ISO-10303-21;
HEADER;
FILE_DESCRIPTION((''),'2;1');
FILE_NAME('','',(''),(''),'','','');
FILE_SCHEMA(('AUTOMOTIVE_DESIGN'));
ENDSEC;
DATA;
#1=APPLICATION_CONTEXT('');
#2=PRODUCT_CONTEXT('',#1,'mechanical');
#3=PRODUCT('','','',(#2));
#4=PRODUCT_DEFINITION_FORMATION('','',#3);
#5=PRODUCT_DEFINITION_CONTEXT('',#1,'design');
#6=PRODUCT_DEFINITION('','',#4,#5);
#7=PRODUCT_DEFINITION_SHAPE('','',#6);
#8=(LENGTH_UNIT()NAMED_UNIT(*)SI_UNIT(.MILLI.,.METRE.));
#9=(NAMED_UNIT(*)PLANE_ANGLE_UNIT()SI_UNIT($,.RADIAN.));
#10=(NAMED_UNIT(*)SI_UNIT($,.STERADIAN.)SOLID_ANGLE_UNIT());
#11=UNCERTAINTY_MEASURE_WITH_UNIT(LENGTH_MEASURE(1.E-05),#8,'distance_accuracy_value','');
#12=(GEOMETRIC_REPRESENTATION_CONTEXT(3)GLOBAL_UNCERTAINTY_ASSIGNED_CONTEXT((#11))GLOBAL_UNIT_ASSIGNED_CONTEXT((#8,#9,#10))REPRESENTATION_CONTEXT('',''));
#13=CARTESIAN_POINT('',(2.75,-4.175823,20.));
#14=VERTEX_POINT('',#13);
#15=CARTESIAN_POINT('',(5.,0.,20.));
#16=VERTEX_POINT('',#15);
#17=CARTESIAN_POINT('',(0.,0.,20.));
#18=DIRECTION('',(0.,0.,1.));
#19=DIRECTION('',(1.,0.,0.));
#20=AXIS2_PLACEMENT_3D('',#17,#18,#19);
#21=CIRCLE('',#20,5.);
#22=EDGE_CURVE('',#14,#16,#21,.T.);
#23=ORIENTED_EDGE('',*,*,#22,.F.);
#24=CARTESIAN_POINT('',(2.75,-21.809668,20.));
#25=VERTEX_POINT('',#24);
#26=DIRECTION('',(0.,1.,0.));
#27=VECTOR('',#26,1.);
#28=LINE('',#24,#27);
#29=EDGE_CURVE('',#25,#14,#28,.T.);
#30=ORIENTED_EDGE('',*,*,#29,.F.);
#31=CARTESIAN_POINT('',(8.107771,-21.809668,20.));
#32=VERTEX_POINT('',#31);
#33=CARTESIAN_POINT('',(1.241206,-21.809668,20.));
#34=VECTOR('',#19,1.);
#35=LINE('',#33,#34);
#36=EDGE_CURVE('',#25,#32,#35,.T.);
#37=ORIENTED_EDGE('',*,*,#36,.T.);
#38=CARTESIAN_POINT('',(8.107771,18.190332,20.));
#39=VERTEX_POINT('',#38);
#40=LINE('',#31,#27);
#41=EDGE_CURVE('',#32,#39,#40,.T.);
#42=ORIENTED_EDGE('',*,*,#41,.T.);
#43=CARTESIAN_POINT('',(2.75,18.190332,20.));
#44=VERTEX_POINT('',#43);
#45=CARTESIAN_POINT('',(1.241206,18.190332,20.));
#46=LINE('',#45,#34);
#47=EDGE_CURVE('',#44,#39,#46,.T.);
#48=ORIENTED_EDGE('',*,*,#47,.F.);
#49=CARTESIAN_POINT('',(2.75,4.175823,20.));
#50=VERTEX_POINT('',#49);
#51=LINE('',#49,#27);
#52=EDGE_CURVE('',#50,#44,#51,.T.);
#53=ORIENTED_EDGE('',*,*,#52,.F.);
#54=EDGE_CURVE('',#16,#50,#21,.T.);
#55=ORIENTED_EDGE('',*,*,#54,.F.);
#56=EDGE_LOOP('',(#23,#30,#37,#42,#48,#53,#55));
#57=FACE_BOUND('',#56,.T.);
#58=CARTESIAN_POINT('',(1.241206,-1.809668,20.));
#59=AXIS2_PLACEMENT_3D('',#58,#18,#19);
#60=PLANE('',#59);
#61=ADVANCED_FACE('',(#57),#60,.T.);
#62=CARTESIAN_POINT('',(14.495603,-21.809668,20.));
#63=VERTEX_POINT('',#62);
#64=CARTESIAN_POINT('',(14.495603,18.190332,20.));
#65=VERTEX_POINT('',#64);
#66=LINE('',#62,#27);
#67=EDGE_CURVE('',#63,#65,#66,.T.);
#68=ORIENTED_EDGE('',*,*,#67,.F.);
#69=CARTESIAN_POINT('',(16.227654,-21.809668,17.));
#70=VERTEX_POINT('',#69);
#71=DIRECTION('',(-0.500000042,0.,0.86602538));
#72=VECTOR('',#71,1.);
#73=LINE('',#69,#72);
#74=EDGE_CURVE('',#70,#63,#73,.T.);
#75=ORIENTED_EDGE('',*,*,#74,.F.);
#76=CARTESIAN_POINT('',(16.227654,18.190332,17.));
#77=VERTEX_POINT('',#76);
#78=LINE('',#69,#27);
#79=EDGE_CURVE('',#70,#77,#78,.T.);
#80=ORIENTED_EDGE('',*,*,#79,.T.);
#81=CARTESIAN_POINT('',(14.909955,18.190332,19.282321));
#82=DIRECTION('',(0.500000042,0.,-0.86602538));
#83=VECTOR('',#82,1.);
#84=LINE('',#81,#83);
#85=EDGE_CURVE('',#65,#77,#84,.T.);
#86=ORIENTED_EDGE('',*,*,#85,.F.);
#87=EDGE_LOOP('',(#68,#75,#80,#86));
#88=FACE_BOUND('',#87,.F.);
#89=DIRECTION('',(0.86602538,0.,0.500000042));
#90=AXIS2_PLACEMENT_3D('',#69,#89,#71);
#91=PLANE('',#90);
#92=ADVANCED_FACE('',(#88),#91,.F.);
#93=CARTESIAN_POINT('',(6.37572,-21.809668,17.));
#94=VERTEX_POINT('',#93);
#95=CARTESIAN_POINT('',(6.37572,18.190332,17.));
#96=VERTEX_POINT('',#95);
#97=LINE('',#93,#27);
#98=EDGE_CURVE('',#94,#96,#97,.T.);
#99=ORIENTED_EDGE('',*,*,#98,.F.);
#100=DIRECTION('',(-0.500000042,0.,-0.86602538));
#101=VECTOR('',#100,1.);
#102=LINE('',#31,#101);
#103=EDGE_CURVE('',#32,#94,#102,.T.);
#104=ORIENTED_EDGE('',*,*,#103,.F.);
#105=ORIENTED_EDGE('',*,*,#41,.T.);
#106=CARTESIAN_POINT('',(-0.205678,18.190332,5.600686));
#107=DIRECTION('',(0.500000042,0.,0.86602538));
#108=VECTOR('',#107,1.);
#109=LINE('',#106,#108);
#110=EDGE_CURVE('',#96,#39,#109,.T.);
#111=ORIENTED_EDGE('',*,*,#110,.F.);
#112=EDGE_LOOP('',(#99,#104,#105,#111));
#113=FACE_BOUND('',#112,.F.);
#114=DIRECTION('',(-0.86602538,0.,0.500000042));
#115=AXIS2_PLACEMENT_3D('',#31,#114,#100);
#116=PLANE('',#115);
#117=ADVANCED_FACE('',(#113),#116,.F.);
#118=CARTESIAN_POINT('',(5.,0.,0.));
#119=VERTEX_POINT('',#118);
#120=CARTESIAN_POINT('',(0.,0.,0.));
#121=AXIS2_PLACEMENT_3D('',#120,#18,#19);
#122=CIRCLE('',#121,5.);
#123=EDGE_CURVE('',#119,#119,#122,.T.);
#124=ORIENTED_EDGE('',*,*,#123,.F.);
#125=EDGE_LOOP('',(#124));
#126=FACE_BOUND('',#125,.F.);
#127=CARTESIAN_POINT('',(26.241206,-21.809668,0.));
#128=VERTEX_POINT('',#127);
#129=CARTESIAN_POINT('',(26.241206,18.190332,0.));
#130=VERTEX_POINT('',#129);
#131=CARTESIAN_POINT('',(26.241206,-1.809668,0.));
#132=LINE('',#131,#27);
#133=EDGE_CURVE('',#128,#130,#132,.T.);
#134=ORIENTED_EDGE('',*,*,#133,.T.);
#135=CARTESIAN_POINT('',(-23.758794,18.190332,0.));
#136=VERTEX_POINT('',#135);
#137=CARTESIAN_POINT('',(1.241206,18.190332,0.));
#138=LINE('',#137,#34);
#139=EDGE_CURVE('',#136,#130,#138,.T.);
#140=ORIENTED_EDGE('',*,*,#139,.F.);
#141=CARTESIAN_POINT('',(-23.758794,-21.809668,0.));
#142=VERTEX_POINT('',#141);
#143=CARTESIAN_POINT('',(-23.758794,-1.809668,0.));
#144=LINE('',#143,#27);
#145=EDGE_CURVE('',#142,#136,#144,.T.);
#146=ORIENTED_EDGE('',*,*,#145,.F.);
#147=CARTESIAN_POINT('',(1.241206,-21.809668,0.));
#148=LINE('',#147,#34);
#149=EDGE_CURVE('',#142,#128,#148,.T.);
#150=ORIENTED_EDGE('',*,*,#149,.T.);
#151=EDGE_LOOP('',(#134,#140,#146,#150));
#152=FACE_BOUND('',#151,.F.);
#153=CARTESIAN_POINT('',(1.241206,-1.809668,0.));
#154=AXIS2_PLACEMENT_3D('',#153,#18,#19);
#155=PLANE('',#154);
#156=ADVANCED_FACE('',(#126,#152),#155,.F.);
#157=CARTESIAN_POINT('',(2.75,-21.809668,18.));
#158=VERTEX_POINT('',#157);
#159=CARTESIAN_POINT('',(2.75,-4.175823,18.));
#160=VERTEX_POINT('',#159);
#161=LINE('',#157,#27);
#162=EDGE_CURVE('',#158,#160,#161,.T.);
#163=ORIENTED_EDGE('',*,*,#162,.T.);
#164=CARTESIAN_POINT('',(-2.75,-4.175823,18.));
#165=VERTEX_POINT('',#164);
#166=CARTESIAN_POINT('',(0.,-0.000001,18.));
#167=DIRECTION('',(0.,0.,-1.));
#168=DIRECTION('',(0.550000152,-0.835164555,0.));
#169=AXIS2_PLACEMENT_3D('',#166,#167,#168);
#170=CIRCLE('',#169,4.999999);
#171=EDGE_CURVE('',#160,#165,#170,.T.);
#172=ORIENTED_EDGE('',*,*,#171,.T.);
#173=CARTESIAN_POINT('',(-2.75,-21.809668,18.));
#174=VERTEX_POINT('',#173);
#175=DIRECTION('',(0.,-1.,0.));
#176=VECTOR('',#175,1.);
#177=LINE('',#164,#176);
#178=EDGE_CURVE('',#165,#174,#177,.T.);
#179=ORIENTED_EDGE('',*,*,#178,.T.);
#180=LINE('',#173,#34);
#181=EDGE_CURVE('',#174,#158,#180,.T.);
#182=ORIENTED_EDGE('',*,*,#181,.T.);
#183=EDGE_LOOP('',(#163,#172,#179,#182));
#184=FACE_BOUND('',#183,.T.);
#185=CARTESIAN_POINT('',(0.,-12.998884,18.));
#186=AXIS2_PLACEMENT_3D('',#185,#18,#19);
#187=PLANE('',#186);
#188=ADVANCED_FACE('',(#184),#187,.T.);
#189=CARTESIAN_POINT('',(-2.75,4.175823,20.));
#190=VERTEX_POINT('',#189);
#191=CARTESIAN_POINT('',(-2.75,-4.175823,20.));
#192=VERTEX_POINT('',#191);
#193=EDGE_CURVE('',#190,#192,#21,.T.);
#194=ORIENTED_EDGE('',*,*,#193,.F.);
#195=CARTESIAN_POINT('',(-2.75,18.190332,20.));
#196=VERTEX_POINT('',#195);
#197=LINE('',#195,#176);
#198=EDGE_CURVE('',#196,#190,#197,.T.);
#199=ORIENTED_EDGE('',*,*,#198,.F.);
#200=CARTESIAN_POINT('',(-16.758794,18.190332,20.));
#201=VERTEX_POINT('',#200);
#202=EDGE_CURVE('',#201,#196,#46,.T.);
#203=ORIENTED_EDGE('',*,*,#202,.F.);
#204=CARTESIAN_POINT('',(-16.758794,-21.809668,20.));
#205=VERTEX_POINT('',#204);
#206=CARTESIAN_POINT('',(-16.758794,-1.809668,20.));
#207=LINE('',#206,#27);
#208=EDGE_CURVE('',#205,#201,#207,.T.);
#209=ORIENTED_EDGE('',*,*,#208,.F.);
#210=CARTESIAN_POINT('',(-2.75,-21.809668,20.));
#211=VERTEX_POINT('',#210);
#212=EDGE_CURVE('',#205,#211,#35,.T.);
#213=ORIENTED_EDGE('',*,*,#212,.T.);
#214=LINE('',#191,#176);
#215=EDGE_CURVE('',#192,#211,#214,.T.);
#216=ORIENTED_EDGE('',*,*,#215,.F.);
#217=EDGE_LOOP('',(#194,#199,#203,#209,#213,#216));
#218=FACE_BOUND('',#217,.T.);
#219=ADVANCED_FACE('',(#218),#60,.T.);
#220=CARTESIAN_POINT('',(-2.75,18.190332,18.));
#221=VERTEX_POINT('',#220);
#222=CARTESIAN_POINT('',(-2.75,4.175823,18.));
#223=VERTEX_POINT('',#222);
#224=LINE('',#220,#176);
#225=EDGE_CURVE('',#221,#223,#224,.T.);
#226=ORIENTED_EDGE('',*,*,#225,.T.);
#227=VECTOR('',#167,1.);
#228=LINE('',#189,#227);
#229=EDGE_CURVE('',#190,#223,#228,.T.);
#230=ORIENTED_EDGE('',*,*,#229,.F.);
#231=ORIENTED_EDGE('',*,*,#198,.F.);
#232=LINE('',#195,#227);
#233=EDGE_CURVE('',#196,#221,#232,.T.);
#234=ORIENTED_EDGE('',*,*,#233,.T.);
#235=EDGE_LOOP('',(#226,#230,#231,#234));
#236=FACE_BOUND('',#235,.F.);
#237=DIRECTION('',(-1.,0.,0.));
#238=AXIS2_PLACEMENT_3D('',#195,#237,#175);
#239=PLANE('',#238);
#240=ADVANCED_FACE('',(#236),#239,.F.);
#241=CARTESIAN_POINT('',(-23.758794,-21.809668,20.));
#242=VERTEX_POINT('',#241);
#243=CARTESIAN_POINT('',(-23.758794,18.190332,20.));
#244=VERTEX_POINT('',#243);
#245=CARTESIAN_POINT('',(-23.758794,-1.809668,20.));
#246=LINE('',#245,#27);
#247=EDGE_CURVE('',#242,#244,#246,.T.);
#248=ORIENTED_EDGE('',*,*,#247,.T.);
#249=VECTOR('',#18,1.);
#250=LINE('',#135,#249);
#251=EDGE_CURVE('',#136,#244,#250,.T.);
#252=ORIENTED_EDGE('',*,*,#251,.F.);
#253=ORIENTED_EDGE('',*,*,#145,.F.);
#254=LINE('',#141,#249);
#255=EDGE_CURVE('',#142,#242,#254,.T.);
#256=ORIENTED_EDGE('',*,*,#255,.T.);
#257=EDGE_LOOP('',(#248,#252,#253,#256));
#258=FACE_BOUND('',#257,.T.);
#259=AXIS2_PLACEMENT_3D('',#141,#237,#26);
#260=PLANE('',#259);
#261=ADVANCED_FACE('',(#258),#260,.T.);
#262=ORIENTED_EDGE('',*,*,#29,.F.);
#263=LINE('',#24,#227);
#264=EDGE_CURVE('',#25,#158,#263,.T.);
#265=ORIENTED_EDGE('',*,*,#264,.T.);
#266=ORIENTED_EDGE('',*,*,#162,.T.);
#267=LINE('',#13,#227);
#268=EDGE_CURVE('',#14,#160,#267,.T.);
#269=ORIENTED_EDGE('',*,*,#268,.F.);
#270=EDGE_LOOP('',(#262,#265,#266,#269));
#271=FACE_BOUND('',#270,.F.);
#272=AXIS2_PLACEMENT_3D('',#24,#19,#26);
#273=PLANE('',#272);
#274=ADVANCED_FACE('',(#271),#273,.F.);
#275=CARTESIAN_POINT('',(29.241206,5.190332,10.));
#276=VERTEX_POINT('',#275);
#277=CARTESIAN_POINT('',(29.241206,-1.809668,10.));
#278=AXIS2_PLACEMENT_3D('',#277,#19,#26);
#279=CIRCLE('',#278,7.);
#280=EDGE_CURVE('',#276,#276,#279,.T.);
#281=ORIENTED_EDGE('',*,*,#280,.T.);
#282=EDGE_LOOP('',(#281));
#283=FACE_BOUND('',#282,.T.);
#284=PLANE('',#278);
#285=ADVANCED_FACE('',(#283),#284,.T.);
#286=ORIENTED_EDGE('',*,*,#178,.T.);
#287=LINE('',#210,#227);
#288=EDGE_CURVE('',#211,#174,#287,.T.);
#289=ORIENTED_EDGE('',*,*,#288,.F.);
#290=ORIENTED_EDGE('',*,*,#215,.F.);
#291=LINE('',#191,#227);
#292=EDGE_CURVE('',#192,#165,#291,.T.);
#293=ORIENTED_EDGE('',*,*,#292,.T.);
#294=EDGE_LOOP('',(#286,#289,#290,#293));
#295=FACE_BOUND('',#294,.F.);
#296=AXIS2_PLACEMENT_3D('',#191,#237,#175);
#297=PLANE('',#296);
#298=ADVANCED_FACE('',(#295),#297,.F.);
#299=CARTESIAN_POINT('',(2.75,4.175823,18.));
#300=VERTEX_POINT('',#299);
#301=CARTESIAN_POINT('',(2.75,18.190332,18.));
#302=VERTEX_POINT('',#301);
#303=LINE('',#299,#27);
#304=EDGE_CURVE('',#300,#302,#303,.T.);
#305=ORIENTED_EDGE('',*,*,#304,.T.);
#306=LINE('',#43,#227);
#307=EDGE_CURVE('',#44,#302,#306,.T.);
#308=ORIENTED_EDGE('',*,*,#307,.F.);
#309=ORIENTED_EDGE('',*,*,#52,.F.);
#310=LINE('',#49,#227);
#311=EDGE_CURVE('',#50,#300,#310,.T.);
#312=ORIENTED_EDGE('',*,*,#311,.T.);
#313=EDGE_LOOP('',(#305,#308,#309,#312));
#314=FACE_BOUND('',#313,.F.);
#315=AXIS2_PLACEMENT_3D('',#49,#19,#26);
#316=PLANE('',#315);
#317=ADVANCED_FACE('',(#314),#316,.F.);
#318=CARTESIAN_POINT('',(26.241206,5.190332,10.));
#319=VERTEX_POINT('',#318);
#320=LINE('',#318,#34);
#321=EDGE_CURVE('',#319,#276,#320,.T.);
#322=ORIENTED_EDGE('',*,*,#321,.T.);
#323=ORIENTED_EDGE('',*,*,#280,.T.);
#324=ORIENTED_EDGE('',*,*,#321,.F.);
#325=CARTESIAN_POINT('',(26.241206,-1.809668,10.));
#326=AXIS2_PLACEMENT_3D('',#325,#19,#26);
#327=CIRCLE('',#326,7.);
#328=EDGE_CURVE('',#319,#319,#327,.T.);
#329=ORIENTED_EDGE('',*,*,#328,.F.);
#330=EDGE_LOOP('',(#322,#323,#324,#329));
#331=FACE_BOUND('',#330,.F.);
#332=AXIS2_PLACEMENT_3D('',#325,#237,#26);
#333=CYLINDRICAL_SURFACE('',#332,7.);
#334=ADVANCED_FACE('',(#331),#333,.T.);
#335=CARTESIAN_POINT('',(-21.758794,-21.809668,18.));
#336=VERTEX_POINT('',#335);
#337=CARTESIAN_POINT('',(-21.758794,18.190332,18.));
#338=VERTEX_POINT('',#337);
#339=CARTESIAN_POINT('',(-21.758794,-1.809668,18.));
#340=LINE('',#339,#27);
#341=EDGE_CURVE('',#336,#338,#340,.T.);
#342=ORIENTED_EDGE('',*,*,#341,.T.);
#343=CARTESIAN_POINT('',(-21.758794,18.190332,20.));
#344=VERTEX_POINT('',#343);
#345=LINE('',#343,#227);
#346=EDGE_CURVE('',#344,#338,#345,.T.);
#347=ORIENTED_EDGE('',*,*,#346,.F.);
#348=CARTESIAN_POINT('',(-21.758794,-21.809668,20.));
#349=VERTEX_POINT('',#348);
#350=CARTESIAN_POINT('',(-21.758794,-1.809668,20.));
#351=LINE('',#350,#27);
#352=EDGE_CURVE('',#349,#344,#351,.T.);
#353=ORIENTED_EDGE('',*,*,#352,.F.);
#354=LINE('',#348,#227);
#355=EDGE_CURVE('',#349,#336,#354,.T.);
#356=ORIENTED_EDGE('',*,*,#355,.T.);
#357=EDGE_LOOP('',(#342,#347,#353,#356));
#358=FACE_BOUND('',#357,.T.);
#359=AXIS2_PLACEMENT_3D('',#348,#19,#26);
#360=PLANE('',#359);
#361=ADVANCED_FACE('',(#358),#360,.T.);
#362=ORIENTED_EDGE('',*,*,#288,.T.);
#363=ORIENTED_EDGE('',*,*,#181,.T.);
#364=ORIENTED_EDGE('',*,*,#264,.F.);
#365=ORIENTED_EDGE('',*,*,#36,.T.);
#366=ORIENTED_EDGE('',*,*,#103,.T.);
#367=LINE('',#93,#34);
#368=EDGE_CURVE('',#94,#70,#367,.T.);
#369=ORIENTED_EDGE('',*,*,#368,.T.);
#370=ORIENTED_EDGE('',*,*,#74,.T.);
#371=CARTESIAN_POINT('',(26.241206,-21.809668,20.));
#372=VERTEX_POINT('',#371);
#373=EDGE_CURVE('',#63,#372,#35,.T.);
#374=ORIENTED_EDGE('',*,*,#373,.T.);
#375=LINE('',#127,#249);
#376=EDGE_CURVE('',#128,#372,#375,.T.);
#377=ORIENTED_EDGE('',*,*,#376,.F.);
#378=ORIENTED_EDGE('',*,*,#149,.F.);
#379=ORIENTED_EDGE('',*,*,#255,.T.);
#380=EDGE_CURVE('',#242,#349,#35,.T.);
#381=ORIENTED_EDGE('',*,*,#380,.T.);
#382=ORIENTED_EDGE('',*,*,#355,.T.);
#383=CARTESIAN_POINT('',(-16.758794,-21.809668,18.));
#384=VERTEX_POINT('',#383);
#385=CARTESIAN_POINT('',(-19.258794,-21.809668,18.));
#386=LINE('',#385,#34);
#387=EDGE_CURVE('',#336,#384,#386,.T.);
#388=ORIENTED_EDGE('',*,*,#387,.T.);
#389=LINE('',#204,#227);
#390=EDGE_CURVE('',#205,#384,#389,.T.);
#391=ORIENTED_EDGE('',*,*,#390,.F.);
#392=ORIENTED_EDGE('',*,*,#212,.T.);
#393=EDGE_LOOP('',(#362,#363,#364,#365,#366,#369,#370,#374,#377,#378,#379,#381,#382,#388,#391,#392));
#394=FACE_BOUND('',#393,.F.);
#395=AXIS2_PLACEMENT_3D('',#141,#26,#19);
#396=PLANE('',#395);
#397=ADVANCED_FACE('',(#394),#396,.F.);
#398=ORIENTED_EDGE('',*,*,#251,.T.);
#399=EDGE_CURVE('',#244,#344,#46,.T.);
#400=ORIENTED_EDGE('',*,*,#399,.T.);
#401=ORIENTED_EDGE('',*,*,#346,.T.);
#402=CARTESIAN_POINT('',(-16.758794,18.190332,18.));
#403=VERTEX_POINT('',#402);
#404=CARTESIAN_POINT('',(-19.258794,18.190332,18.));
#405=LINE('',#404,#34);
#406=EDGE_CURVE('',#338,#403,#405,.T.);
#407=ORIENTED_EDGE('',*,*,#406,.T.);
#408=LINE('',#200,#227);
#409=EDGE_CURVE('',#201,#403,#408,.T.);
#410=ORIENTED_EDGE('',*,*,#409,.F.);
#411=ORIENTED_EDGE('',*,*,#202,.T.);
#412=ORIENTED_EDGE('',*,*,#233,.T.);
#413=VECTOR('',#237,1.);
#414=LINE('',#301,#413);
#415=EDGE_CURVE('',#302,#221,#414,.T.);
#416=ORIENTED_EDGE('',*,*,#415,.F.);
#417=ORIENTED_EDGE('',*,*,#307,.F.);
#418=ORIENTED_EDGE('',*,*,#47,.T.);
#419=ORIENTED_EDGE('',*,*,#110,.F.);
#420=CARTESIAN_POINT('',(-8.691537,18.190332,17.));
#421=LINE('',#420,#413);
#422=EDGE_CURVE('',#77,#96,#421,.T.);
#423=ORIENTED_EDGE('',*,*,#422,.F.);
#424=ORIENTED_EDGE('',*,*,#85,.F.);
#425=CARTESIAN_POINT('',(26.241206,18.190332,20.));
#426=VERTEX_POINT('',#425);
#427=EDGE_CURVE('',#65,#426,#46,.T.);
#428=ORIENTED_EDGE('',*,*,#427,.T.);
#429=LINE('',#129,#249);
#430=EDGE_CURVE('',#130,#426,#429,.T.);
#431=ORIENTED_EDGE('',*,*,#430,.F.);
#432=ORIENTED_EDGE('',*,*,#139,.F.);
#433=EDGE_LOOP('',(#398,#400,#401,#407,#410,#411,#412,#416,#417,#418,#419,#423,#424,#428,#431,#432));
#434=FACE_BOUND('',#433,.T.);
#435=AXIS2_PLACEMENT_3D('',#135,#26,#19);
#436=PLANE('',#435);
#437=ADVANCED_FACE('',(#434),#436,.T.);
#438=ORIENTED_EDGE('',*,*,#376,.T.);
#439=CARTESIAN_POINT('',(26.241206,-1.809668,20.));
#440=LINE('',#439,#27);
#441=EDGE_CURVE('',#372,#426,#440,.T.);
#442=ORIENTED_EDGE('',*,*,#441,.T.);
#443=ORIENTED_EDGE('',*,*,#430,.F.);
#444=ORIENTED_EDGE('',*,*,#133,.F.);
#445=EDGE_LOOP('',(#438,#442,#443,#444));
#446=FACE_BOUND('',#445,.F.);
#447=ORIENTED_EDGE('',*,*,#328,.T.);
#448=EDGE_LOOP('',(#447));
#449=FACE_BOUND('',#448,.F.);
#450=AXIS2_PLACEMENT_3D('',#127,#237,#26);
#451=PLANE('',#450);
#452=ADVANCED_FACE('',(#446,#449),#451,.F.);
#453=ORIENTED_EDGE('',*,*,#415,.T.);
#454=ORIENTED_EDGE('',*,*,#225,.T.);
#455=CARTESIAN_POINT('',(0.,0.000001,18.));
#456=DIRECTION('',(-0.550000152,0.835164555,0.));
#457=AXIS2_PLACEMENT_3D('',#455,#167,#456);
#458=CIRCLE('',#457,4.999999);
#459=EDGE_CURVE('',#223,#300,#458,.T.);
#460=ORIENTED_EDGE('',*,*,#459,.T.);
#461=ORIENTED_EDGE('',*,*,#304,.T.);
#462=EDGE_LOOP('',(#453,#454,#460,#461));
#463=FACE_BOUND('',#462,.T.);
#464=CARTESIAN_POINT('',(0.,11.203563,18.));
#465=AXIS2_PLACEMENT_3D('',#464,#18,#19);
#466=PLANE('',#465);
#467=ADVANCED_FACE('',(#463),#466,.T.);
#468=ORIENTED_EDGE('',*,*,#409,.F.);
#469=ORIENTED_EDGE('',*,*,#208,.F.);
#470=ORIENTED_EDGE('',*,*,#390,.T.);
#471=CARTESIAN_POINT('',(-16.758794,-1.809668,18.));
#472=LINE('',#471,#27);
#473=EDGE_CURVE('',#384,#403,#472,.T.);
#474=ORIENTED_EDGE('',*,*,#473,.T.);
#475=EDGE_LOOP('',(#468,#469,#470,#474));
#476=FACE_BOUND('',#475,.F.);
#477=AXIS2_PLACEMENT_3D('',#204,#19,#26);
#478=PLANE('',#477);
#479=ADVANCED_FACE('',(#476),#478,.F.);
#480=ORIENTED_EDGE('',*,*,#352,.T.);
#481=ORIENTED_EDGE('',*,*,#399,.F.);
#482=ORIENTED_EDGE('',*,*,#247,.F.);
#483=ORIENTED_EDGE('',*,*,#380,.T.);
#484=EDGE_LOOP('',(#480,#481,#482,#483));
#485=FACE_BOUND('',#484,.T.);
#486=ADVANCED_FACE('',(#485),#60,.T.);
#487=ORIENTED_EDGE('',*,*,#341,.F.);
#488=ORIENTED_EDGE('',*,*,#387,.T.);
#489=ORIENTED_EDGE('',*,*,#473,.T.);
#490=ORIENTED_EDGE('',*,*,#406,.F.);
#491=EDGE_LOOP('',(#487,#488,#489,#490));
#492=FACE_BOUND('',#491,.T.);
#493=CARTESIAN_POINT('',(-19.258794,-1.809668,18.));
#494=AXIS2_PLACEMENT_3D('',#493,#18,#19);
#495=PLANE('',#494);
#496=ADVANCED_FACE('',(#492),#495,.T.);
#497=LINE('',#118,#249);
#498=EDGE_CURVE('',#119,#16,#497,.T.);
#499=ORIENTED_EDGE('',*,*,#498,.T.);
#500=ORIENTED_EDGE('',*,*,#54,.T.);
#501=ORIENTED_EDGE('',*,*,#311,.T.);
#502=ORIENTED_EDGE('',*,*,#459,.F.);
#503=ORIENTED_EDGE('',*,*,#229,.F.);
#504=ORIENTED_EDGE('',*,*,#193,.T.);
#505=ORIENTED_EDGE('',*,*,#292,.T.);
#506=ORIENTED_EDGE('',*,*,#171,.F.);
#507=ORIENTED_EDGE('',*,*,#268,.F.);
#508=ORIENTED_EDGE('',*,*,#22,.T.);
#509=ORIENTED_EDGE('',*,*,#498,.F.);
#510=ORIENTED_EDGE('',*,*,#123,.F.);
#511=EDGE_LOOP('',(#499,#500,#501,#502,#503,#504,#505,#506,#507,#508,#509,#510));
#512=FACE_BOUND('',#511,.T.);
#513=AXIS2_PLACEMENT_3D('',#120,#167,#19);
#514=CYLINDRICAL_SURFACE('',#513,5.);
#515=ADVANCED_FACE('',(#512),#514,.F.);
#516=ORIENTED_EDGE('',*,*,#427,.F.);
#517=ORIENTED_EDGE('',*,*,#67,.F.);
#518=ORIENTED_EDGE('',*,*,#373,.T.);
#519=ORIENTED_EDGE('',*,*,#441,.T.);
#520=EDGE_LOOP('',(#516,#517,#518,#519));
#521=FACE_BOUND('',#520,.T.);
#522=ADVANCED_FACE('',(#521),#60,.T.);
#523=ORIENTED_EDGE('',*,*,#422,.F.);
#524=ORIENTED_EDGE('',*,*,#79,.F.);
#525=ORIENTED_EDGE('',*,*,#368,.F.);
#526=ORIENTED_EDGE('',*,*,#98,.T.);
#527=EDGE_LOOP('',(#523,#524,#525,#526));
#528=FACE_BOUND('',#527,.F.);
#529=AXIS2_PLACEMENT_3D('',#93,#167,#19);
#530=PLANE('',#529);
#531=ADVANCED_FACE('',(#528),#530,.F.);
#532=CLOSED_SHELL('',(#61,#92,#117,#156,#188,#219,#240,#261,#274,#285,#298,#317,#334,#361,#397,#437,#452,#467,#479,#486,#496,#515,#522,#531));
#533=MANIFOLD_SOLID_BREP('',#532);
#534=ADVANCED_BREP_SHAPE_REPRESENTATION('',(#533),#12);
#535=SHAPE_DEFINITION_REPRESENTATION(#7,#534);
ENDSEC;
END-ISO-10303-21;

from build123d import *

# Parameters (mm, degrees)
F0_W     = 50
F0_H     = 40
F0_R     = 5
F1_DEPTH = 20
F2_W     = 5
F2_H     = 40
F3_DEPTH = 2
F5_DEPTH = 40.001
F6_R     = 7
F7_DEPTH = 3


with BuildPart() as f1:
    # F0 (on Top) → F1 (new body)
    with BuildSketch(Plane.XY):
        with Locations((1.241206, -1.809668)):
            Rectangle(F0_W, F0_H)
        Circle(F0_R, mode=Mode.SUBTRACT)
    extrude(amount=F1_DEPTH)

    # F2 (on face) → F3 (cut)
    with BuildSketch(Plane.XY.offset(20)):
        with Locations((-19.258794, -1.809668)):
            Rectangle(F2_W, F2_H)
        with BuildLine():
            Line((-2.75, -4.175823), (-2.75, -21.809668))
            Line((-2.75, -21.809668), (2.75, -21.809668))
            Line((2.75, -21.809668), (2.75, -4.175823))
            ThreePointArc((2.75, -4.175823), (0, -5), (-2.75, -4.175823))
        make_face()
        with BuildLine():
            Line((2.75, 18.190332), (-2.75, 18.190332))
            Line((-2.75, 18.190332), (-2.75, 4.175823))
            ThreePointArc((-2.75, 4.175823), (0, 5), (2.75, 4.175823))
            Line((2.75, 4.175823), (2.75, 18.190332))
        make_face()
    extrude(amount=-F3_DEPTH, mode=Mode.SUBTRACT)

    # F4 (on face) → F5 (cut, through all)
    with BuildSketch(Plane.XZ.offset(21.809668)):
        Polygon((14.495603, 20), (8.107771, 20), (6.37572, 17), (16.227654, 17), align=None)
    extrude(amount=-F5_DEPTH, mode=Mode.SUBTRACT)

    # F6 (on face) → F7 (join)
    with BuildSketch(Plane.YZ.offset(26.241206)):
        with Locations((-1.809668, 10)):
            Circle(F6_R)
    extrude(amount=F7_DEPTH)


solid = f1.part
